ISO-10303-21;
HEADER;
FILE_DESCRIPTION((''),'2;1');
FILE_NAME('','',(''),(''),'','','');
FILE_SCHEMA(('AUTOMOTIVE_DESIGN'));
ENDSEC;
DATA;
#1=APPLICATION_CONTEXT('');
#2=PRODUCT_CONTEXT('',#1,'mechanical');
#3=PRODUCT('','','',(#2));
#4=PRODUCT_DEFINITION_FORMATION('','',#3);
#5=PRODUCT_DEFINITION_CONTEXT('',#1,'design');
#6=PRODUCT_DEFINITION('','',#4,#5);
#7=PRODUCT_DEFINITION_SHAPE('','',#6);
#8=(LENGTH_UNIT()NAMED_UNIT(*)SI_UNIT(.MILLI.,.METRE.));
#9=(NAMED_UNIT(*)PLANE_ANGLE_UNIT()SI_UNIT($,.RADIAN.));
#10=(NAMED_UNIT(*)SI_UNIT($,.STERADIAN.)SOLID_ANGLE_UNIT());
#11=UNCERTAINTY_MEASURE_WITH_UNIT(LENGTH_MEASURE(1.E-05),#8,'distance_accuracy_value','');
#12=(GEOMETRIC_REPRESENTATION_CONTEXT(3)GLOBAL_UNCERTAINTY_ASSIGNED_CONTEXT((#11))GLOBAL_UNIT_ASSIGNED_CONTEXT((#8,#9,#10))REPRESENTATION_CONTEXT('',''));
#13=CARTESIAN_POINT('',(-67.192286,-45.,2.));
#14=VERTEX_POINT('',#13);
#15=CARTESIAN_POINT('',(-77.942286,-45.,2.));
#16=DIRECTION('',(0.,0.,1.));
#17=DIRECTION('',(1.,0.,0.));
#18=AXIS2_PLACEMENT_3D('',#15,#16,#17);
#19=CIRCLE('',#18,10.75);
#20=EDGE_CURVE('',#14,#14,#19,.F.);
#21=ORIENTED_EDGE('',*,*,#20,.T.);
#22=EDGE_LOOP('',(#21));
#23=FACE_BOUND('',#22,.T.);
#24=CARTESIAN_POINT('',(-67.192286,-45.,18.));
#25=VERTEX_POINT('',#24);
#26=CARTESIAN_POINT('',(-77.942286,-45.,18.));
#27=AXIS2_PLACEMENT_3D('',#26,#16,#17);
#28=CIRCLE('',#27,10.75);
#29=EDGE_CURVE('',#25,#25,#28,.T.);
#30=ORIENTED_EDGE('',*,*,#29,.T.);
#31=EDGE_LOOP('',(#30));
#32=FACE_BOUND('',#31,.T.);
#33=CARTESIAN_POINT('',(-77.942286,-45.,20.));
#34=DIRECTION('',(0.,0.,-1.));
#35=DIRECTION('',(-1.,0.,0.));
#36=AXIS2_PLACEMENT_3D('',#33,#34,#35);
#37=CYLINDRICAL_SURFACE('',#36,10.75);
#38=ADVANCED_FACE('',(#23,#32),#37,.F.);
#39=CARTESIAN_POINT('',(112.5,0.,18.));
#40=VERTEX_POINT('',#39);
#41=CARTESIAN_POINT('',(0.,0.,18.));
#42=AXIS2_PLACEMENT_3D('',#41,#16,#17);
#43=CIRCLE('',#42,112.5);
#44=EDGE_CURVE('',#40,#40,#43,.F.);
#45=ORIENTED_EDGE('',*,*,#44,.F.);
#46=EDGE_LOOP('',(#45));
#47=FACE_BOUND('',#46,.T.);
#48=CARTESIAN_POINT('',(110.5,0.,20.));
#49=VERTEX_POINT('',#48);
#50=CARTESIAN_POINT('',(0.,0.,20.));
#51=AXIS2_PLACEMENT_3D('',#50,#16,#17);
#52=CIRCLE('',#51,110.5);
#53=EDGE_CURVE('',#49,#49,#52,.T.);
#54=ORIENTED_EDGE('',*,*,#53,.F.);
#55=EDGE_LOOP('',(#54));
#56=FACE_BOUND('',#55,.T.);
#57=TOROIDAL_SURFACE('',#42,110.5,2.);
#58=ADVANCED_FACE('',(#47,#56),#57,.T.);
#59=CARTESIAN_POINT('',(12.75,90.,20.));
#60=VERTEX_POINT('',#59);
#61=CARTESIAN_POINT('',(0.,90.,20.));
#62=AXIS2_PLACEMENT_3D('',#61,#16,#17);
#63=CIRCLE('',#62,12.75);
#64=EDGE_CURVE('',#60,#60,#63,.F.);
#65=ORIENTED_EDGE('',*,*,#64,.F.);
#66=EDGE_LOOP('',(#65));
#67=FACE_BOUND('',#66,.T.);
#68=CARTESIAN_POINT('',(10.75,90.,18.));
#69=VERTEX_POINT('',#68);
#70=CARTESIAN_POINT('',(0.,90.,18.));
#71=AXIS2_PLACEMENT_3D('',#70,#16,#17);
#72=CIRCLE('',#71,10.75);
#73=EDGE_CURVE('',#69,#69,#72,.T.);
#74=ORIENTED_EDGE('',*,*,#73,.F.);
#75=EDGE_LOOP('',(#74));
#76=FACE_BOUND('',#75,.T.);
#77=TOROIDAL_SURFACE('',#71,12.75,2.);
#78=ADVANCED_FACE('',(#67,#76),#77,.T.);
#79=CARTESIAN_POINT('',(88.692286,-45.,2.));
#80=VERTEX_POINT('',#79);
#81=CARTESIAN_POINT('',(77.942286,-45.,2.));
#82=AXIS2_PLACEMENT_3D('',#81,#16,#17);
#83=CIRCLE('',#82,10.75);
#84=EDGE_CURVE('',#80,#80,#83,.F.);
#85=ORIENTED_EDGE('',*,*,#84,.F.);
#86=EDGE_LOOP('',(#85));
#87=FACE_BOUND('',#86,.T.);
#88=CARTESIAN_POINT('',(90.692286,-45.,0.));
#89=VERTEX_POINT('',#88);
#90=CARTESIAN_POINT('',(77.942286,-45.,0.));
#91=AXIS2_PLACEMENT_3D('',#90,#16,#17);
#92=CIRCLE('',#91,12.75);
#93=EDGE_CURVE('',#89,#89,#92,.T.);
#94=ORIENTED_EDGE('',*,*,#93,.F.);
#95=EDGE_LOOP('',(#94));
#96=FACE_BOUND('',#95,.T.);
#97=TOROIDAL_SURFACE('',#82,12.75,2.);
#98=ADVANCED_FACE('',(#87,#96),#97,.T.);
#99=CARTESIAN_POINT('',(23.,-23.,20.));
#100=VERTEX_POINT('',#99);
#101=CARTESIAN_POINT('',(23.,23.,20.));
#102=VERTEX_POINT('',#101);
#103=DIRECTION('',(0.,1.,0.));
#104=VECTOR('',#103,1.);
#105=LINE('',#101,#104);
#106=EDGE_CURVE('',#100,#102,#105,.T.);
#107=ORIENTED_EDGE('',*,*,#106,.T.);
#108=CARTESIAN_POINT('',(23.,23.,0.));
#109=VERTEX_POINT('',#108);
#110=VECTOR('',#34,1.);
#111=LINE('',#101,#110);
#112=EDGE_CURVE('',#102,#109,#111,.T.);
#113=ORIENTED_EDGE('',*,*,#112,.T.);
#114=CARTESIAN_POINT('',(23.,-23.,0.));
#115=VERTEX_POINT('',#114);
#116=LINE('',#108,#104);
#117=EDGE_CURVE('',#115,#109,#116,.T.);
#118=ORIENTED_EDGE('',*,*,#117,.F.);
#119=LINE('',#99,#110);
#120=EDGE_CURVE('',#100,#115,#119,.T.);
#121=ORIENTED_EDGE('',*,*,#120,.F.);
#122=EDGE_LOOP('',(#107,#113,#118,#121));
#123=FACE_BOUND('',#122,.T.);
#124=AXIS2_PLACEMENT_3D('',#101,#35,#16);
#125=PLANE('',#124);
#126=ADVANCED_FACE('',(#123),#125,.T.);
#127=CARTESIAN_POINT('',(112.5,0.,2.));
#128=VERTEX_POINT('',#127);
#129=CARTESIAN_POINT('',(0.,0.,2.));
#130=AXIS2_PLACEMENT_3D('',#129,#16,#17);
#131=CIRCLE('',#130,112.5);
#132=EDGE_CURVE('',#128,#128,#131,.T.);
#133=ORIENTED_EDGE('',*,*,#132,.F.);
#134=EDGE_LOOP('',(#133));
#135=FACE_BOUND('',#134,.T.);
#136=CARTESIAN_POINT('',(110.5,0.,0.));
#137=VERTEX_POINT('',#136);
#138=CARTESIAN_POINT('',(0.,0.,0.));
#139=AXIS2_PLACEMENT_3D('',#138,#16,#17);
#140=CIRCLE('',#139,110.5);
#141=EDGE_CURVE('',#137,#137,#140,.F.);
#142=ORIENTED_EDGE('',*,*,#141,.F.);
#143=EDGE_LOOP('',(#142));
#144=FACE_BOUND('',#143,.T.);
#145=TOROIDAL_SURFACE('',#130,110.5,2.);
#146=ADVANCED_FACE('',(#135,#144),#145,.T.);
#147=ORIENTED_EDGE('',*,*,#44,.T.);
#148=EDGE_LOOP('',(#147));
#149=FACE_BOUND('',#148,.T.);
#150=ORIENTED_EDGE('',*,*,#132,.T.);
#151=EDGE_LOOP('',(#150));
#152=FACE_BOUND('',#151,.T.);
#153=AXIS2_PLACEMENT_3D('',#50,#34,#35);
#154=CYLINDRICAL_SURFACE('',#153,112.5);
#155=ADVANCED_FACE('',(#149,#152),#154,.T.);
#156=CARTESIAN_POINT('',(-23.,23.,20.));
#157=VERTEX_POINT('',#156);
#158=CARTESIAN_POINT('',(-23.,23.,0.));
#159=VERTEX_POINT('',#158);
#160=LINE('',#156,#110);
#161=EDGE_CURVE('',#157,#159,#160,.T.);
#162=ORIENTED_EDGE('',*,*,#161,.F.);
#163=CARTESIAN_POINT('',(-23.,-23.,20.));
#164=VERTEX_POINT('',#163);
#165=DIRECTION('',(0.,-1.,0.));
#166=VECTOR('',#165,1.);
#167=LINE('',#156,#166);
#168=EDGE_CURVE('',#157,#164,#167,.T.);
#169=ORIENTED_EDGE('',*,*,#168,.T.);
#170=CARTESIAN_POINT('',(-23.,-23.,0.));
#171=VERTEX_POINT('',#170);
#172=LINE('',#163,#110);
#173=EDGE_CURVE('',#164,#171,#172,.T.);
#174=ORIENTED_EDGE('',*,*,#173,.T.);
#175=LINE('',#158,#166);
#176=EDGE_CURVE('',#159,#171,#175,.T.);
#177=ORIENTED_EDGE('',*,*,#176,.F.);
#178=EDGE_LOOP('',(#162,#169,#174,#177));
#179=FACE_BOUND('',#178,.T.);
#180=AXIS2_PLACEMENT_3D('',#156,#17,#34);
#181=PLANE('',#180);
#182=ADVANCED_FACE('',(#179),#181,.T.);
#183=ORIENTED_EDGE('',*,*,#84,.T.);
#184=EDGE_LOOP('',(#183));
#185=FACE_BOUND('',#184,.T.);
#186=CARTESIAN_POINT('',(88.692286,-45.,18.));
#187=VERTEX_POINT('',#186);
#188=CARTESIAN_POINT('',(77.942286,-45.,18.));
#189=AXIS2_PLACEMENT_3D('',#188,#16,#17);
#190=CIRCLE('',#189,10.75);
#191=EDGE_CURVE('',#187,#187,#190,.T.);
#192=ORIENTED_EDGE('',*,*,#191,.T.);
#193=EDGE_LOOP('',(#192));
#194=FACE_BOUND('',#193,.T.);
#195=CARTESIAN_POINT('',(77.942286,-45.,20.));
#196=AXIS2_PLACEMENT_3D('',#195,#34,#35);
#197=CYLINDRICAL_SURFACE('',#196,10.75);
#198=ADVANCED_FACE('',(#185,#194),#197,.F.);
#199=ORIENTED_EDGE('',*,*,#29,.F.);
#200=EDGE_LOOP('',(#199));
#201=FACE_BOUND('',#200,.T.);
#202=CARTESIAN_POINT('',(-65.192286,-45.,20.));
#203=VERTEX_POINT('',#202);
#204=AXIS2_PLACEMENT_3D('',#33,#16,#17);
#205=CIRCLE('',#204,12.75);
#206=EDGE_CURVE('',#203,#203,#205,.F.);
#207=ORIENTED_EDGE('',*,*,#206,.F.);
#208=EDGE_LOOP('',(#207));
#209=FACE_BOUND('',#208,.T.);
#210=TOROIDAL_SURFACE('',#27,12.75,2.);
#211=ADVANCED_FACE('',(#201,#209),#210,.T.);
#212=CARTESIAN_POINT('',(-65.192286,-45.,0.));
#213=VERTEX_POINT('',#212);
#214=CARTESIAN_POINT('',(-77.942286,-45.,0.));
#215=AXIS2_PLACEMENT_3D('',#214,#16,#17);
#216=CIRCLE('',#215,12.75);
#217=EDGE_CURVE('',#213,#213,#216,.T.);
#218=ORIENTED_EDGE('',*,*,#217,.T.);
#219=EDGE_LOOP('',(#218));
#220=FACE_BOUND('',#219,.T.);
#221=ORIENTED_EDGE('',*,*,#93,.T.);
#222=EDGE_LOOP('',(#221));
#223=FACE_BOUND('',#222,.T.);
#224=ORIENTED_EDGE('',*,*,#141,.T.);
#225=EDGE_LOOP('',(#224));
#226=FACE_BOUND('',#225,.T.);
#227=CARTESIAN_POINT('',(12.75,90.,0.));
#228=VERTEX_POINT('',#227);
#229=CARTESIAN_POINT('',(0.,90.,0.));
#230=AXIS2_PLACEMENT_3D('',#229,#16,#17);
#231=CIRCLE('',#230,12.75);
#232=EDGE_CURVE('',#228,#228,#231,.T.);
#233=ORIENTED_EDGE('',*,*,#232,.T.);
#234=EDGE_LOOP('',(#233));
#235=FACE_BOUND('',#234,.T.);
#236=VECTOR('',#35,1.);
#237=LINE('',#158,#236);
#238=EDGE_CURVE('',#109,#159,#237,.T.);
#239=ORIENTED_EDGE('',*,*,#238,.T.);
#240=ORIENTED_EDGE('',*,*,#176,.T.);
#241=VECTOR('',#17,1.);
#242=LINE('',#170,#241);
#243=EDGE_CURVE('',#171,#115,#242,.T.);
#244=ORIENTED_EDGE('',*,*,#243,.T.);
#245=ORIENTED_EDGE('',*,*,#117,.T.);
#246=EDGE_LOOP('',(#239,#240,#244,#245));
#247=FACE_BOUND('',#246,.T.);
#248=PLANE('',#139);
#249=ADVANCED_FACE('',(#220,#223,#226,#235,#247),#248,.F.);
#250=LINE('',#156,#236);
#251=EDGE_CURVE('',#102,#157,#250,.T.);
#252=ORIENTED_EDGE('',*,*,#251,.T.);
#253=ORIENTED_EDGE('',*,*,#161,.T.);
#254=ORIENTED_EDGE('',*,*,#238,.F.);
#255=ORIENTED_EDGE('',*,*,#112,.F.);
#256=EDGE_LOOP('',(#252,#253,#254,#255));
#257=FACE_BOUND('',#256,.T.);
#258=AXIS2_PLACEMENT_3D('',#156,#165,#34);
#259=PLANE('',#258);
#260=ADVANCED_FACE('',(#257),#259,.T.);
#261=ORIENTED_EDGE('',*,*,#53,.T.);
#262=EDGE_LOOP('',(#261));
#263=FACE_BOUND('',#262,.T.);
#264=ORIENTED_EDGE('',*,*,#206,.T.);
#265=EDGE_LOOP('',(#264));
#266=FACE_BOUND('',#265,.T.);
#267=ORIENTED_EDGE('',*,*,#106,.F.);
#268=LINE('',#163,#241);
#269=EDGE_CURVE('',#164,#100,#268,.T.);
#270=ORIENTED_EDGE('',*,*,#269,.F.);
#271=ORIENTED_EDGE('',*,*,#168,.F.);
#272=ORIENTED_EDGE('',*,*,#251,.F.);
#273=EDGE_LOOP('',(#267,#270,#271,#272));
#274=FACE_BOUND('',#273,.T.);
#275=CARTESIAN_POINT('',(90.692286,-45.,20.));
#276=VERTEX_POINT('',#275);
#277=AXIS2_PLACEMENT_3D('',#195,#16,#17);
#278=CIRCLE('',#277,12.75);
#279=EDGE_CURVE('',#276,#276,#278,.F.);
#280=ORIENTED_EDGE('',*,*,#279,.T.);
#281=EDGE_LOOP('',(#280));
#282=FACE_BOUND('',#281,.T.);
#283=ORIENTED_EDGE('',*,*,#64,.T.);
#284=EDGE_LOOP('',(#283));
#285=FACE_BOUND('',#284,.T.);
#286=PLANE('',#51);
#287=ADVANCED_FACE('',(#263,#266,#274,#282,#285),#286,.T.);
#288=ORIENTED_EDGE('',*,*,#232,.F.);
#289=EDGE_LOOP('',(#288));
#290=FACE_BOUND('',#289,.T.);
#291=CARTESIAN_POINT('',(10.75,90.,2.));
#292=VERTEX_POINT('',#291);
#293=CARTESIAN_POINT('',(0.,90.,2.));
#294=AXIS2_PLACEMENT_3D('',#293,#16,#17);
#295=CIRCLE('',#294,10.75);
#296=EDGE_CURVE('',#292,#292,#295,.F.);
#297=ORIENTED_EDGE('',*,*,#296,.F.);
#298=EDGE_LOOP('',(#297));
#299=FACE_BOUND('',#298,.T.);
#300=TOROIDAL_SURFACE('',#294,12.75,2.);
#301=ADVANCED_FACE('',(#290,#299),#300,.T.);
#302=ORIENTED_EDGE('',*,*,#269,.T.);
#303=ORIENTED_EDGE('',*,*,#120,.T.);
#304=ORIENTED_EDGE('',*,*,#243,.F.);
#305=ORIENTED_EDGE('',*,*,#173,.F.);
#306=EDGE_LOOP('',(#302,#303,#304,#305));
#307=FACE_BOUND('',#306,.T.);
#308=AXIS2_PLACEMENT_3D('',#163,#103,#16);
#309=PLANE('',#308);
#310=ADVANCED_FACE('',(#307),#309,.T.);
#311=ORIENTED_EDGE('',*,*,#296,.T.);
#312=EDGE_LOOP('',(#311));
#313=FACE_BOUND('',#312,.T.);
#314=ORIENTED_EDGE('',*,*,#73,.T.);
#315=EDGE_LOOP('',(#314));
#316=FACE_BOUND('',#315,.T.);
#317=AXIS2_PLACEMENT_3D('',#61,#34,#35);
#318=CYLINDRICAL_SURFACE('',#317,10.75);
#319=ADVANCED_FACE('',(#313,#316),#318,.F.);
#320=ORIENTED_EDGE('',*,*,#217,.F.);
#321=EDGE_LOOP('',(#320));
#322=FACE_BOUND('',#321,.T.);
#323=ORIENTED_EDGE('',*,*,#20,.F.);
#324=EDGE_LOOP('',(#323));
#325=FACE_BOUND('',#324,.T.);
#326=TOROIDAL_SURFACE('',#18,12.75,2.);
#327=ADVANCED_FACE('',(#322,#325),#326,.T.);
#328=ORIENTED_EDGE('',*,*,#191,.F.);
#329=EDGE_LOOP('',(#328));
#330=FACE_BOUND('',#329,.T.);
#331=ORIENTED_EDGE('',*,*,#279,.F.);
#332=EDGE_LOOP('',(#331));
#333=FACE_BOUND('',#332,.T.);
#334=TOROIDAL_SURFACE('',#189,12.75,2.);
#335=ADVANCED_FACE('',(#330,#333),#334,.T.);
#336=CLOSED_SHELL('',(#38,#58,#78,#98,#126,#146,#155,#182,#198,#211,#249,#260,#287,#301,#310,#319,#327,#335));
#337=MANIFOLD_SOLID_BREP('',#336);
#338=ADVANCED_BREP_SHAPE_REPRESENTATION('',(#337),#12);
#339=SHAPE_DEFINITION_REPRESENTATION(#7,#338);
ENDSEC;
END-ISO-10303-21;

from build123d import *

# Parameters (mm, degrees)
SKETCH1_R           = 112.5
SKETCH1_R_2         = 10.75
SKETCH1_W           = 46
SKETCH1_H           = 46
BOSS_EXTRUDE1_DEPTH = 20
FILLET9_R           = 2


with BuildPart() as part:
    # Sketch1 → Boss-Extrude1 (new body)
    with BuildSketch(Plane.XY):
        Circle(SKETCH1_R)
        with Locations((0, 90)):
            Circle(SKETCH1_R_2, mode=Mode.SUBTRACT)
        with Locations((77.942286341, -45)):
            Circle(SKETCH1_R_2, mode=Mode.SUBTRACT)
        with Locations((-77.942286341, -45)):
            Circle(SKETCH1_R_2, mode=Mode.SUBTRACT)
        Rectangle(SKETCH1_W, SKETCH1_H, mode=Mode.SUBTRACT)
    extrude(amount=BOSS_EXTRUDE1_DEPTH)

    # Fillet9
    fillet9_edges = [part.edges().sort_by_distance(p)[0] for p in [
        (-10.75, 90, 0),
        (-10.75, 90, 20),
        (-112.5, 0, 0),
        (67.192286341, -45, 0),
        (67.192286341, -45, 20),
        (-88.692286341, -45, 0),
        (-88.692286341, -45, 20),
        (-112.5, 0, 20),
    ]]
    fillet(fillet9_edges, radius=FILLET9_R)


solid = part.part
